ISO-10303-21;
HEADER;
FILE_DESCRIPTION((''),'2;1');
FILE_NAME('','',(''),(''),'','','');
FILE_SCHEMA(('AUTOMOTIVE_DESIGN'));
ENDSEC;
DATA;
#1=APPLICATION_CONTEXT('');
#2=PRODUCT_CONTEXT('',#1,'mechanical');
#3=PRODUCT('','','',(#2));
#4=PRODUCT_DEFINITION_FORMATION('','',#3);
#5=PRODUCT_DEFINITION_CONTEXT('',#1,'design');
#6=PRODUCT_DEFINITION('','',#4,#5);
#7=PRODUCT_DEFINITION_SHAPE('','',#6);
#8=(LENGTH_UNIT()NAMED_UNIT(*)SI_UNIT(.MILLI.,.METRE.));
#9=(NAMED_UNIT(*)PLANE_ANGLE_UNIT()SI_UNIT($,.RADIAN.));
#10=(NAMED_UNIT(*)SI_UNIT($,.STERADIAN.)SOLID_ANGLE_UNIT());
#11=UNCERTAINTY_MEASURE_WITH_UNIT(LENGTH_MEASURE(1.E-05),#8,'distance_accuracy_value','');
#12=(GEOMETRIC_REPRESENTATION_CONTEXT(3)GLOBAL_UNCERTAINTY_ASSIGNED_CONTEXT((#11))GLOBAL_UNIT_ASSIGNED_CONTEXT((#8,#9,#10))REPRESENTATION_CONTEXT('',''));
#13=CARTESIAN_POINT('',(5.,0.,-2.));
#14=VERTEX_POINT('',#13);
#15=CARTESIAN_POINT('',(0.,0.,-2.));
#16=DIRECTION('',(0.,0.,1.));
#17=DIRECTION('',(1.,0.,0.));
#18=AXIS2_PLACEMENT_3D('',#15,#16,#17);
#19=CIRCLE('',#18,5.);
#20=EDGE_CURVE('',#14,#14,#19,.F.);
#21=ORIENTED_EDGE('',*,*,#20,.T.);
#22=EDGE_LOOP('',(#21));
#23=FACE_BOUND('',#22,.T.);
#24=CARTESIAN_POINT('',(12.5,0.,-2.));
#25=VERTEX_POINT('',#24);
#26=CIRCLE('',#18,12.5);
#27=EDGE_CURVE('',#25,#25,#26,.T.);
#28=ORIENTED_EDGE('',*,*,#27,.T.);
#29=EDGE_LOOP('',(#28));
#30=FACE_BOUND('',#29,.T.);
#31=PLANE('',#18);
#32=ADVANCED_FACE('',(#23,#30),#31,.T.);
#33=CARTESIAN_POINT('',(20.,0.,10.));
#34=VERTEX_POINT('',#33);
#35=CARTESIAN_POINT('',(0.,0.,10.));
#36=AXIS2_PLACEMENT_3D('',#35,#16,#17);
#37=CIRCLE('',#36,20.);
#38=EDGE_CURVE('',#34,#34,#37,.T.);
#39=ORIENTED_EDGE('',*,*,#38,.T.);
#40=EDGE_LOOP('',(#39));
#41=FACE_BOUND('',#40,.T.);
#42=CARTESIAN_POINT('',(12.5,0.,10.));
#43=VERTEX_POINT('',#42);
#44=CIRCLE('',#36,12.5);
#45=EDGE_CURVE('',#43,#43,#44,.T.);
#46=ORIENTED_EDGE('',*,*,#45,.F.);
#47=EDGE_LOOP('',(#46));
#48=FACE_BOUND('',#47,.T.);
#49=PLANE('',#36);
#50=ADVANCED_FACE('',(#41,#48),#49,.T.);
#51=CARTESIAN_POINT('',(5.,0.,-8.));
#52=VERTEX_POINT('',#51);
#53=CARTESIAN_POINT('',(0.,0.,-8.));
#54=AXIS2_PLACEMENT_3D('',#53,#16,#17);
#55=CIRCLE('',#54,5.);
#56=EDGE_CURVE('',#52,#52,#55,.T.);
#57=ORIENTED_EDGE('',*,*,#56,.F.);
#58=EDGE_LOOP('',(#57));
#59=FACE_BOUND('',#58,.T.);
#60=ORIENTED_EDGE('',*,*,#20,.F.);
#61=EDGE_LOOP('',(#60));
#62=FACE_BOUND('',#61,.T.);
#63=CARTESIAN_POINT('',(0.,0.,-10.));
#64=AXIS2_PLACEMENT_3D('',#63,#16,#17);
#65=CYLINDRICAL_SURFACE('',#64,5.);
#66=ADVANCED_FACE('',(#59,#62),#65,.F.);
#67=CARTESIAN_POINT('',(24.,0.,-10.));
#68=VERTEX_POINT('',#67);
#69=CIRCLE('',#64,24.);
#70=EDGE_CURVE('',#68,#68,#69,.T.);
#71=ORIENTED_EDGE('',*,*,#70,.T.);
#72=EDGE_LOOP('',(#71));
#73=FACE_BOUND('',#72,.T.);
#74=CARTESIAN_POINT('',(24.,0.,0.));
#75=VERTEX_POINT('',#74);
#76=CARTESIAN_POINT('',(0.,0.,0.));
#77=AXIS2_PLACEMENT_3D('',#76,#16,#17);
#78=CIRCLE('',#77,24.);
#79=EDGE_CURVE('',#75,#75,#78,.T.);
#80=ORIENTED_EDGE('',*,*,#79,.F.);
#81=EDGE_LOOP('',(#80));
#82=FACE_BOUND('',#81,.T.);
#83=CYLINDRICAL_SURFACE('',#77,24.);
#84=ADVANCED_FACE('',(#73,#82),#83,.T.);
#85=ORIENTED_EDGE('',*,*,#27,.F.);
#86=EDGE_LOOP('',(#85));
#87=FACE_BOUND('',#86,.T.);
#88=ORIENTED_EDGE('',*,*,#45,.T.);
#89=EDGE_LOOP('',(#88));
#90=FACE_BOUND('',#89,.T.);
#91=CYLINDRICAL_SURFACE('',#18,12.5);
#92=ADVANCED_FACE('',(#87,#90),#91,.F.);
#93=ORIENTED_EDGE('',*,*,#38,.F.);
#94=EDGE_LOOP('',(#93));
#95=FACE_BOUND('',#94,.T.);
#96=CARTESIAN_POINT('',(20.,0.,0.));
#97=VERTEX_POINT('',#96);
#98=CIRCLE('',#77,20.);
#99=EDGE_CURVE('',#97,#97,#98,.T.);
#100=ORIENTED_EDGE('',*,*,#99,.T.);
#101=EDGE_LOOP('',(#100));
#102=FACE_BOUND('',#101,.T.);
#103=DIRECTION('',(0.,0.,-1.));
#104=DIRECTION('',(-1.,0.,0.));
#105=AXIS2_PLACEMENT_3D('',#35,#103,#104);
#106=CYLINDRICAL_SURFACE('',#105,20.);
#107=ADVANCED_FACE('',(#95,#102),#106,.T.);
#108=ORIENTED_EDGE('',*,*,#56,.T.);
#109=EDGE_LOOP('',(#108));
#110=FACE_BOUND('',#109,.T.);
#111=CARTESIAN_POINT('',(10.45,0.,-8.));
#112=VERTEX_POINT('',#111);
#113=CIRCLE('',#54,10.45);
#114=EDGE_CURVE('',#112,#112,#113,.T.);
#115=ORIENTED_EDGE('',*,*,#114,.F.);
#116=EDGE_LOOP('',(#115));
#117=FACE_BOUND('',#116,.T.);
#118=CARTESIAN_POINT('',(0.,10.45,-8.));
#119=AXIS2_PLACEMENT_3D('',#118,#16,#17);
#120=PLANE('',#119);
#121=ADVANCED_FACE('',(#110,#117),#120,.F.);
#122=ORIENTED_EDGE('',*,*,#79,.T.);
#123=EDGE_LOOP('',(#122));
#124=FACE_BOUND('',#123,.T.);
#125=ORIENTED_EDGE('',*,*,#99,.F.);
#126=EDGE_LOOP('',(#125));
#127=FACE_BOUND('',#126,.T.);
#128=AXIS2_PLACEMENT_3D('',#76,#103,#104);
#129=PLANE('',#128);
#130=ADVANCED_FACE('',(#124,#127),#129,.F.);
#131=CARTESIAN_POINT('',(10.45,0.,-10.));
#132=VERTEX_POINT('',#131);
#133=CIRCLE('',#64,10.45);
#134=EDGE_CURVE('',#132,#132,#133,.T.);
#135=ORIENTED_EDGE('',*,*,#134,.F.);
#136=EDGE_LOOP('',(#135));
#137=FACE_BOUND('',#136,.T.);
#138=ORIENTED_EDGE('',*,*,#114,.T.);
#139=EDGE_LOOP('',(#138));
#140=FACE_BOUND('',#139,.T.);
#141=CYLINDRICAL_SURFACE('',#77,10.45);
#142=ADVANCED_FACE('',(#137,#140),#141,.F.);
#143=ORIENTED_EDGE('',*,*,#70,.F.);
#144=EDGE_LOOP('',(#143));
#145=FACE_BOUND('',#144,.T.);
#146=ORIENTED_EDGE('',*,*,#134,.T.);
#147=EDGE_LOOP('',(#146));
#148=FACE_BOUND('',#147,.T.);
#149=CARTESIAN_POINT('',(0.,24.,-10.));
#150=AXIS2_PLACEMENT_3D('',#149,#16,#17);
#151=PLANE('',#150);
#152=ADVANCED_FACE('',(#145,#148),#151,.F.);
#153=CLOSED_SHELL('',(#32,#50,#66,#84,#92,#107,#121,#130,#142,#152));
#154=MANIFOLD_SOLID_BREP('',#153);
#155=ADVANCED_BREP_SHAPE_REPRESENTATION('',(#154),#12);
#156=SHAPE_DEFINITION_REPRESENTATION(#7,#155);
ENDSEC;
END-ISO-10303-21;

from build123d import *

# Parameters (mm, degrees)
SKETCH_2_R          = 20
EXTRUDE_1_DEPTH     = 10
SKETCH_3_R          = 5
CUT_EXTRUDE_1_DEPTH = 21
SKETCH_4_R          = 12.5
CUT_EXTRUDE_2_DEPTH = 12


with BuildPart() as part:
    # 草图1 → 旋转1 (revolve)
    with BuildSketch(Plane(origin=(0, 0, 0), x_dir=(0, 0, -1), z_dir=(1, 0, 0))):
        Polygon((0, 0), (0, 24), (10, 24), (10, 10.45), (8, 10.45), (8, 0), align=None)
    revolve(axis=Axis((0, 0, 0), (0, 0, -1)))

    # 草图2 → 凸台-拉伸1 (add)
    with BuildSketch(Plane.XY):
        Circle(SKETCH_2_R)
    extrude(amount=EXTRUDE_1_DEPTH)

    # 草图3 → 切除-拉伸1 (cut, through all)
    with BuildSketch(Plane.XY.offset(10)):
        Circle(SKETCH_3_R)
    extrude(amount=-CUT_EXTRUDE_1_DEPTH, mode=Mode.SUBTRACT)

    # 草图4 → 切除-拉伸2 (cut)
    with BuildSketch(Plane.XY.offset(10)):
        Circle(SKETCH_4_R)
    extrude(amount=-CUT_EXTRUDE_2_DEPTH, mode=Mode.SUBTRACT)


solid = part.part
